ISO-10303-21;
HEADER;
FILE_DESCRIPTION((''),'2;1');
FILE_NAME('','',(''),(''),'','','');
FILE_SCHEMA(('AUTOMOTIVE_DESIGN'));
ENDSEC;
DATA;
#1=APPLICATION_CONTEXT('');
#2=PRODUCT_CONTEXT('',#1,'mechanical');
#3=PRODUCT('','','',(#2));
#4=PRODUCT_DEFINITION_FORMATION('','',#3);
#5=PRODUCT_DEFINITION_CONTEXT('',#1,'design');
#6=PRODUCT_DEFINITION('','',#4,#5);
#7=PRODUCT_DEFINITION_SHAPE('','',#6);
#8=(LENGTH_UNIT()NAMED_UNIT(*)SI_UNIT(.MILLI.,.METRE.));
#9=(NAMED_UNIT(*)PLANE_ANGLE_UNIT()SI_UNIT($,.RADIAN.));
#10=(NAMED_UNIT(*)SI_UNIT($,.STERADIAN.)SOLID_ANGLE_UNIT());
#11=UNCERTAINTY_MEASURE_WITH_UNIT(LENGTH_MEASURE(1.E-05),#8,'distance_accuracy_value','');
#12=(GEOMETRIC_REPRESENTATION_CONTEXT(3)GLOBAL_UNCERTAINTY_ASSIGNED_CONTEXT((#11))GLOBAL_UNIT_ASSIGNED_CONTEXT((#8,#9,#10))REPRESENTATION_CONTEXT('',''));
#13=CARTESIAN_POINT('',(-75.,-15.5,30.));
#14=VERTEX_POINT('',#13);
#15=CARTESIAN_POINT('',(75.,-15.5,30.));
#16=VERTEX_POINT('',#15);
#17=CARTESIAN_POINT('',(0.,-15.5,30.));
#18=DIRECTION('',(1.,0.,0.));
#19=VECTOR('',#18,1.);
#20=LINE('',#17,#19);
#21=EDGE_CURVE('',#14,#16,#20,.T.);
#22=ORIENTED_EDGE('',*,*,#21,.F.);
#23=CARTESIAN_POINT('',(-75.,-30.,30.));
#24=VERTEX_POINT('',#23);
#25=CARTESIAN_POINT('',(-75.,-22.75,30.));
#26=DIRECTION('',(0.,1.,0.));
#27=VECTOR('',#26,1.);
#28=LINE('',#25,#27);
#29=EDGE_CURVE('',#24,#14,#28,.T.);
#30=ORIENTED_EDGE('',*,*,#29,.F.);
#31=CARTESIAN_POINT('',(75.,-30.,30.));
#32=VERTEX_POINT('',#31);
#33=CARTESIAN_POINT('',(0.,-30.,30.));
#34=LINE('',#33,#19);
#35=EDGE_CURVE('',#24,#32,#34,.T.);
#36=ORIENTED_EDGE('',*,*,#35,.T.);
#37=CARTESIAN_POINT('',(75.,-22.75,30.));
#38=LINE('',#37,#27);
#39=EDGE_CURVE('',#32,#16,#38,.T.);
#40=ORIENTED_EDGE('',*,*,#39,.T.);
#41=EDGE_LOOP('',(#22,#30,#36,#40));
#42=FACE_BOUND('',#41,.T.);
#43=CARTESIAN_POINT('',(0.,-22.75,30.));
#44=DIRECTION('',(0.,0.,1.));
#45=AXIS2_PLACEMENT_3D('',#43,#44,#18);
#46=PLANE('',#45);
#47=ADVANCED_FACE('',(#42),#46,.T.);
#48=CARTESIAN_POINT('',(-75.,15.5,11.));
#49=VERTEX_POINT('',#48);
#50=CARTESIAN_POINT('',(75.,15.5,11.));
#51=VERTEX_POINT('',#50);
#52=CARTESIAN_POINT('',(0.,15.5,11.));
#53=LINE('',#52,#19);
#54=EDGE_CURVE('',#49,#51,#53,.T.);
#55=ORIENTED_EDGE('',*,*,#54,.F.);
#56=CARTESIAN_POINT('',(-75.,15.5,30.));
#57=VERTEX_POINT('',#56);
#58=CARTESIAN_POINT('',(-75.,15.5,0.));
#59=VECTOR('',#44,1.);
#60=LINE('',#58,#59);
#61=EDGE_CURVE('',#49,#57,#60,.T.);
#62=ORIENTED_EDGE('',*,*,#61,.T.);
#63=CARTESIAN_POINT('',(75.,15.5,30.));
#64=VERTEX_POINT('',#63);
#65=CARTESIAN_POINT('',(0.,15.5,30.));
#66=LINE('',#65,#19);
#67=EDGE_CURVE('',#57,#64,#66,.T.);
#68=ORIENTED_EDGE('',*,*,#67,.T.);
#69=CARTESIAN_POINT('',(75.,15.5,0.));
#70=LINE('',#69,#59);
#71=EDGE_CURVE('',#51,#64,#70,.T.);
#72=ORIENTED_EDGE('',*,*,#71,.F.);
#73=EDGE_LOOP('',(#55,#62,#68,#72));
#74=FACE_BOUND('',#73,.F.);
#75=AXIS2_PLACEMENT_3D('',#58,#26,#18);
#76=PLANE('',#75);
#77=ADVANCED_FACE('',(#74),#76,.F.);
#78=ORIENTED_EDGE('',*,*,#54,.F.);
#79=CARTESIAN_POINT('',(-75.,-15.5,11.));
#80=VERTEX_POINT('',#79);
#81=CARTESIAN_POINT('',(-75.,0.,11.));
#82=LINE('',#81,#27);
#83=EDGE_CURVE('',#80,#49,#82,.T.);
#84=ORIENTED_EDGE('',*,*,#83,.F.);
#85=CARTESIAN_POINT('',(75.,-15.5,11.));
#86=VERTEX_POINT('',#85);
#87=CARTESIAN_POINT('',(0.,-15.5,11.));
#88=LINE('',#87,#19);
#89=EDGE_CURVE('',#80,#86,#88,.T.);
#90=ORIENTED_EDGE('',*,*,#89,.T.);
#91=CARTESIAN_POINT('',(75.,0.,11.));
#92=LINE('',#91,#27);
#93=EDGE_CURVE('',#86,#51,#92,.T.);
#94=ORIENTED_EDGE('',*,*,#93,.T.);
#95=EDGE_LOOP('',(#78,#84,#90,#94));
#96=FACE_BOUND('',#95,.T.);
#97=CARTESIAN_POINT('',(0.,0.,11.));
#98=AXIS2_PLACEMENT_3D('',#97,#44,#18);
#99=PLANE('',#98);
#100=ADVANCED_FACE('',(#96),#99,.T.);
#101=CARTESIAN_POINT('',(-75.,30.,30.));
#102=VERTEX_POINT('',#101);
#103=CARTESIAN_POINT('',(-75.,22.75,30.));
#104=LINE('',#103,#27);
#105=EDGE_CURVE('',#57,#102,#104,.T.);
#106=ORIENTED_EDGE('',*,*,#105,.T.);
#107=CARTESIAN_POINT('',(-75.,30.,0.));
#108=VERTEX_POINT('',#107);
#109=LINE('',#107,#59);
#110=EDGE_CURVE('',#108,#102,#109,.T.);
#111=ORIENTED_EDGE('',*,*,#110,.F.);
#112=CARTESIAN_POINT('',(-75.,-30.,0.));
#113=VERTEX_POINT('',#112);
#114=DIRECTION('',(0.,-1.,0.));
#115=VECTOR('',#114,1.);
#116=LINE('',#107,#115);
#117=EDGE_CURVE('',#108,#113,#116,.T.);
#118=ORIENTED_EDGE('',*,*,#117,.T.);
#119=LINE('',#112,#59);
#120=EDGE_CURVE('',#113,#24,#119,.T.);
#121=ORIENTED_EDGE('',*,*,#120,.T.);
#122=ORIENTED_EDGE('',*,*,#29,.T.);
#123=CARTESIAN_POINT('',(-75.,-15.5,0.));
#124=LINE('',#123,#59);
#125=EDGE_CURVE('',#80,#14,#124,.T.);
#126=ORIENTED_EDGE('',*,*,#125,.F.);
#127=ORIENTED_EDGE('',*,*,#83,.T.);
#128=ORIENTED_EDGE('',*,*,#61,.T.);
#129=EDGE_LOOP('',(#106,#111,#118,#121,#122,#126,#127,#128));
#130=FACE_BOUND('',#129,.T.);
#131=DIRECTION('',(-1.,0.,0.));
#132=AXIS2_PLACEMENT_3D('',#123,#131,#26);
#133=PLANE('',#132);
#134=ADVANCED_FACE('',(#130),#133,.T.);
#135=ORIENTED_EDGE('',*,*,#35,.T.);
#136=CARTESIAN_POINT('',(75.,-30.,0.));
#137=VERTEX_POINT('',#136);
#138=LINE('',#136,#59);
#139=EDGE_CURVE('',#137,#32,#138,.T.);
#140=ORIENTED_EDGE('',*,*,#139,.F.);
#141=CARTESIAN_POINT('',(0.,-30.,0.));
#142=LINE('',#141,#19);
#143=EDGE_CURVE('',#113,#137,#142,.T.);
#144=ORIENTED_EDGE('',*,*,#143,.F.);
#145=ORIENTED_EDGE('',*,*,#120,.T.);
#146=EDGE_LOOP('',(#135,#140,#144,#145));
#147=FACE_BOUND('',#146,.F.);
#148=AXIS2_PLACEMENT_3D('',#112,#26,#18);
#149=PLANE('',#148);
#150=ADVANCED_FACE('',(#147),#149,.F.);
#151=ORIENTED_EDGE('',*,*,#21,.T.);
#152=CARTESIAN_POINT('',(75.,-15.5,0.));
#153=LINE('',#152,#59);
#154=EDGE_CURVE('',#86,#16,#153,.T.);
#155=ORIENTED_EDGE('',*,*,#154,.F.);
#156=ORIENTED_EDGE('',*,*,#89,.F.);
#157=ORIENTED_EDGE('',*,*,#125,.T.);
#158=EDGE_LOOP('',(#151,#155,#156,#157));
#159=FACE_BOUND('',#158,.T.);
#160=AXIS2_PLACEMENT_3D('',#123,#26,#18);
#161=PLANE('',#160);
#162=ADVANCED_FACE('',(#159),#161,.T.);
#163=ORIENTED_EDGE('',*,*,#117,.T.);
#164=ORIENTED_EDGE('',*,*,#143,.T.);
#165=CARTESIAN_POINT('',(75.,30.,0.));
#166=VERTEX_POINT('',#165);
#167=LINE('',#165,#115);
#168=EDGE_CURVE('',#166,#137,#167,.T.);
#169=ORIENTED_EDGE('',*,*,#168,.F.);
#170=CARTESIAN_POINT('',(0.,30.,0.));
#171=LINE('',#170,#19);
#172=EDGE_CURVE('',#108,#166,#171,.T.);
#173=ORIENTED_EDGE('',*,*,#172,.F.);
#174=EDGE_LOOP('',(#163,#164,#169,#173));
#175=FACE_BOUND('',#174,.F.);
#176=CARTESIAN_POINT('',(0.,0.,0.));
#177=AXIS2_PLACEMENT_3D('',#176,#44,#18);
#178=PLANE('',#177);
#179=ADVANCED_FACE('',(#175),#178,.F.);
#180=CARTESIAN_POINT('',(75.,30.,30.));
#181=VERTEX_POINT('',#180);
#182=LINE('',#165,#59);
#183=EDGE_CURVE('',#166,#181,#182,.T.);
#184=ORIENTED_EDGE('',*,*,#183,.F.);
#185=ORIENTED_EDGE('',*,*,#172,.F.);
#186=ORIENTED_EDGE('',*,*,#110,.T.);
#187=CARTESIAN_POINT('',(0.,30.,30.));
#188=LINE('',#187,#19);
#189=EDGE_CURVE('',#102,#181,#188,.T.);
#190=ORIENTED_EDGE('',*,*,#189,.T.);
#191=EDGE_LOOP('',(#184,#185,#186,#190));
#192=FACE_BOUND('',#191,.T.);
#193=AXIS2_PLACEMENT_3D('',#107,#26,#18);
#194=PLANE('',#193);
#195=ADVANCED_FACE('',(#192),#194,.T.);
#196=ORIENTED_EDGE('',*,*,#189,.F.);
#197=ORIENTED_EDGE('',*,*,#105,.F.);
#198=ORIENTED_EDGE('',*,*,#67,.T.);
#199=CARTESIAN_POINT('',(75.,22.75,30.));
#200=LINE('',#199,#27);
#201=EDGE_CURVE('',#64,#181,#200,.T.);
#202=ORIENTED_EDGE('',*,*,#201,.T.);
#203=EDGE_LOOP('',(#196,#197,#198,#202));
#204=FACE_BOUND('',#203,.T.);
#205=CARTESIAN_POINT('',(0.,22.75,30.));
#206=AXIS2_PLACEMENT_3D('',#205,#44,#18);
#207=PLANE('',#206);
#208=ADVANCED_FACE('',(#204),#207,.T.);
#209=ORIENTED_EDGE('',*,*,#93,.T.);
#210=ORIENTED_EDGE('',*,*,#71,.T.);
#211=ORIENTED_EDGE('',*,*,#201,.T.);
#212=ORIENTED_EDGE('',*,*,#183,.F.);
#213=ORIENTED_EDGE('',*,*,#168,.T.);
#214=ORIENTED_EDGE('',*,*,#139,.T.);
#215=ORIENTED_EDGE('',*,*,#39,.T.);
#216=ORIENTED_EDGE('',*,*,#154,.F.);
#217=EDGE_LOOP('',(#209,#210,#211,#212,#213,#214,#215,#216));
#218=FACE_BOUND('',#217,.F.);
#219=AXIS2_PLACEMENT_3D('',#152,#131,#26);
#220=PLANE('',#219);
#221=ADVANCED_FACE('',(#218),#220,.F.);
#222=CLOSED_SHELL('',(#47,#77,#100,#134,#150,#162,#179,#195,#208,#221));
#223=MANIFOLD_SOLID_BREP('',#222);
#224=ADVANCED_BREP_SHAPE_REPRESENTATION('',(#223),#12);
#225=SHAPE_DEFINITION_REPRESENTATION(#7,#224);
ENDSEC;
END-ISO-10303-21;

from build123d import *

# Parameters (mm, degrees)
F0_W     = 150
F0_H     = 14.5
F1_DEPTH = 30
F0_H_2   = 31
F2_DEPTH = 11
F3_DEPTH = 30


with BuildPart() as f1:
    # F0 (on Top) → F1 (new body)
    with BuildSketch(Plane.XY):
        with Locations((0, -22.75)):
            Rectangle(F0_W, F0_H)
    extrude(amount=F1_DEPTH)



with BuildPart() as f1b:
    # F0 (on Top) → F1, piece 2 (new body)
    with BuildSketch(Plane.XY):
        with Locations((0, 22.75)):
            Rectangle(F0_W, F0_H)
    extrude(amount=F1_DEPTH)


with BuildPart() as f1_1:
    add(f1.part)

    add(f1b.part)  # F2 merges F1b
    # F0 (on Top) → F2 (join)
    with BuildSketch(Plane.XY):
        Rectangle(F0_W, F0_H_2)
    extrude(amount=F2_DEPTH)

    # F0 (on Top) → F3 (join)
    with BuildSketch(Plane.XY):
        with Locations((0, 22.75)):
            Rectangle(F0_W, F0_H)
    extrude(amount=F3_DEPTH)


solid = f1_1.part
